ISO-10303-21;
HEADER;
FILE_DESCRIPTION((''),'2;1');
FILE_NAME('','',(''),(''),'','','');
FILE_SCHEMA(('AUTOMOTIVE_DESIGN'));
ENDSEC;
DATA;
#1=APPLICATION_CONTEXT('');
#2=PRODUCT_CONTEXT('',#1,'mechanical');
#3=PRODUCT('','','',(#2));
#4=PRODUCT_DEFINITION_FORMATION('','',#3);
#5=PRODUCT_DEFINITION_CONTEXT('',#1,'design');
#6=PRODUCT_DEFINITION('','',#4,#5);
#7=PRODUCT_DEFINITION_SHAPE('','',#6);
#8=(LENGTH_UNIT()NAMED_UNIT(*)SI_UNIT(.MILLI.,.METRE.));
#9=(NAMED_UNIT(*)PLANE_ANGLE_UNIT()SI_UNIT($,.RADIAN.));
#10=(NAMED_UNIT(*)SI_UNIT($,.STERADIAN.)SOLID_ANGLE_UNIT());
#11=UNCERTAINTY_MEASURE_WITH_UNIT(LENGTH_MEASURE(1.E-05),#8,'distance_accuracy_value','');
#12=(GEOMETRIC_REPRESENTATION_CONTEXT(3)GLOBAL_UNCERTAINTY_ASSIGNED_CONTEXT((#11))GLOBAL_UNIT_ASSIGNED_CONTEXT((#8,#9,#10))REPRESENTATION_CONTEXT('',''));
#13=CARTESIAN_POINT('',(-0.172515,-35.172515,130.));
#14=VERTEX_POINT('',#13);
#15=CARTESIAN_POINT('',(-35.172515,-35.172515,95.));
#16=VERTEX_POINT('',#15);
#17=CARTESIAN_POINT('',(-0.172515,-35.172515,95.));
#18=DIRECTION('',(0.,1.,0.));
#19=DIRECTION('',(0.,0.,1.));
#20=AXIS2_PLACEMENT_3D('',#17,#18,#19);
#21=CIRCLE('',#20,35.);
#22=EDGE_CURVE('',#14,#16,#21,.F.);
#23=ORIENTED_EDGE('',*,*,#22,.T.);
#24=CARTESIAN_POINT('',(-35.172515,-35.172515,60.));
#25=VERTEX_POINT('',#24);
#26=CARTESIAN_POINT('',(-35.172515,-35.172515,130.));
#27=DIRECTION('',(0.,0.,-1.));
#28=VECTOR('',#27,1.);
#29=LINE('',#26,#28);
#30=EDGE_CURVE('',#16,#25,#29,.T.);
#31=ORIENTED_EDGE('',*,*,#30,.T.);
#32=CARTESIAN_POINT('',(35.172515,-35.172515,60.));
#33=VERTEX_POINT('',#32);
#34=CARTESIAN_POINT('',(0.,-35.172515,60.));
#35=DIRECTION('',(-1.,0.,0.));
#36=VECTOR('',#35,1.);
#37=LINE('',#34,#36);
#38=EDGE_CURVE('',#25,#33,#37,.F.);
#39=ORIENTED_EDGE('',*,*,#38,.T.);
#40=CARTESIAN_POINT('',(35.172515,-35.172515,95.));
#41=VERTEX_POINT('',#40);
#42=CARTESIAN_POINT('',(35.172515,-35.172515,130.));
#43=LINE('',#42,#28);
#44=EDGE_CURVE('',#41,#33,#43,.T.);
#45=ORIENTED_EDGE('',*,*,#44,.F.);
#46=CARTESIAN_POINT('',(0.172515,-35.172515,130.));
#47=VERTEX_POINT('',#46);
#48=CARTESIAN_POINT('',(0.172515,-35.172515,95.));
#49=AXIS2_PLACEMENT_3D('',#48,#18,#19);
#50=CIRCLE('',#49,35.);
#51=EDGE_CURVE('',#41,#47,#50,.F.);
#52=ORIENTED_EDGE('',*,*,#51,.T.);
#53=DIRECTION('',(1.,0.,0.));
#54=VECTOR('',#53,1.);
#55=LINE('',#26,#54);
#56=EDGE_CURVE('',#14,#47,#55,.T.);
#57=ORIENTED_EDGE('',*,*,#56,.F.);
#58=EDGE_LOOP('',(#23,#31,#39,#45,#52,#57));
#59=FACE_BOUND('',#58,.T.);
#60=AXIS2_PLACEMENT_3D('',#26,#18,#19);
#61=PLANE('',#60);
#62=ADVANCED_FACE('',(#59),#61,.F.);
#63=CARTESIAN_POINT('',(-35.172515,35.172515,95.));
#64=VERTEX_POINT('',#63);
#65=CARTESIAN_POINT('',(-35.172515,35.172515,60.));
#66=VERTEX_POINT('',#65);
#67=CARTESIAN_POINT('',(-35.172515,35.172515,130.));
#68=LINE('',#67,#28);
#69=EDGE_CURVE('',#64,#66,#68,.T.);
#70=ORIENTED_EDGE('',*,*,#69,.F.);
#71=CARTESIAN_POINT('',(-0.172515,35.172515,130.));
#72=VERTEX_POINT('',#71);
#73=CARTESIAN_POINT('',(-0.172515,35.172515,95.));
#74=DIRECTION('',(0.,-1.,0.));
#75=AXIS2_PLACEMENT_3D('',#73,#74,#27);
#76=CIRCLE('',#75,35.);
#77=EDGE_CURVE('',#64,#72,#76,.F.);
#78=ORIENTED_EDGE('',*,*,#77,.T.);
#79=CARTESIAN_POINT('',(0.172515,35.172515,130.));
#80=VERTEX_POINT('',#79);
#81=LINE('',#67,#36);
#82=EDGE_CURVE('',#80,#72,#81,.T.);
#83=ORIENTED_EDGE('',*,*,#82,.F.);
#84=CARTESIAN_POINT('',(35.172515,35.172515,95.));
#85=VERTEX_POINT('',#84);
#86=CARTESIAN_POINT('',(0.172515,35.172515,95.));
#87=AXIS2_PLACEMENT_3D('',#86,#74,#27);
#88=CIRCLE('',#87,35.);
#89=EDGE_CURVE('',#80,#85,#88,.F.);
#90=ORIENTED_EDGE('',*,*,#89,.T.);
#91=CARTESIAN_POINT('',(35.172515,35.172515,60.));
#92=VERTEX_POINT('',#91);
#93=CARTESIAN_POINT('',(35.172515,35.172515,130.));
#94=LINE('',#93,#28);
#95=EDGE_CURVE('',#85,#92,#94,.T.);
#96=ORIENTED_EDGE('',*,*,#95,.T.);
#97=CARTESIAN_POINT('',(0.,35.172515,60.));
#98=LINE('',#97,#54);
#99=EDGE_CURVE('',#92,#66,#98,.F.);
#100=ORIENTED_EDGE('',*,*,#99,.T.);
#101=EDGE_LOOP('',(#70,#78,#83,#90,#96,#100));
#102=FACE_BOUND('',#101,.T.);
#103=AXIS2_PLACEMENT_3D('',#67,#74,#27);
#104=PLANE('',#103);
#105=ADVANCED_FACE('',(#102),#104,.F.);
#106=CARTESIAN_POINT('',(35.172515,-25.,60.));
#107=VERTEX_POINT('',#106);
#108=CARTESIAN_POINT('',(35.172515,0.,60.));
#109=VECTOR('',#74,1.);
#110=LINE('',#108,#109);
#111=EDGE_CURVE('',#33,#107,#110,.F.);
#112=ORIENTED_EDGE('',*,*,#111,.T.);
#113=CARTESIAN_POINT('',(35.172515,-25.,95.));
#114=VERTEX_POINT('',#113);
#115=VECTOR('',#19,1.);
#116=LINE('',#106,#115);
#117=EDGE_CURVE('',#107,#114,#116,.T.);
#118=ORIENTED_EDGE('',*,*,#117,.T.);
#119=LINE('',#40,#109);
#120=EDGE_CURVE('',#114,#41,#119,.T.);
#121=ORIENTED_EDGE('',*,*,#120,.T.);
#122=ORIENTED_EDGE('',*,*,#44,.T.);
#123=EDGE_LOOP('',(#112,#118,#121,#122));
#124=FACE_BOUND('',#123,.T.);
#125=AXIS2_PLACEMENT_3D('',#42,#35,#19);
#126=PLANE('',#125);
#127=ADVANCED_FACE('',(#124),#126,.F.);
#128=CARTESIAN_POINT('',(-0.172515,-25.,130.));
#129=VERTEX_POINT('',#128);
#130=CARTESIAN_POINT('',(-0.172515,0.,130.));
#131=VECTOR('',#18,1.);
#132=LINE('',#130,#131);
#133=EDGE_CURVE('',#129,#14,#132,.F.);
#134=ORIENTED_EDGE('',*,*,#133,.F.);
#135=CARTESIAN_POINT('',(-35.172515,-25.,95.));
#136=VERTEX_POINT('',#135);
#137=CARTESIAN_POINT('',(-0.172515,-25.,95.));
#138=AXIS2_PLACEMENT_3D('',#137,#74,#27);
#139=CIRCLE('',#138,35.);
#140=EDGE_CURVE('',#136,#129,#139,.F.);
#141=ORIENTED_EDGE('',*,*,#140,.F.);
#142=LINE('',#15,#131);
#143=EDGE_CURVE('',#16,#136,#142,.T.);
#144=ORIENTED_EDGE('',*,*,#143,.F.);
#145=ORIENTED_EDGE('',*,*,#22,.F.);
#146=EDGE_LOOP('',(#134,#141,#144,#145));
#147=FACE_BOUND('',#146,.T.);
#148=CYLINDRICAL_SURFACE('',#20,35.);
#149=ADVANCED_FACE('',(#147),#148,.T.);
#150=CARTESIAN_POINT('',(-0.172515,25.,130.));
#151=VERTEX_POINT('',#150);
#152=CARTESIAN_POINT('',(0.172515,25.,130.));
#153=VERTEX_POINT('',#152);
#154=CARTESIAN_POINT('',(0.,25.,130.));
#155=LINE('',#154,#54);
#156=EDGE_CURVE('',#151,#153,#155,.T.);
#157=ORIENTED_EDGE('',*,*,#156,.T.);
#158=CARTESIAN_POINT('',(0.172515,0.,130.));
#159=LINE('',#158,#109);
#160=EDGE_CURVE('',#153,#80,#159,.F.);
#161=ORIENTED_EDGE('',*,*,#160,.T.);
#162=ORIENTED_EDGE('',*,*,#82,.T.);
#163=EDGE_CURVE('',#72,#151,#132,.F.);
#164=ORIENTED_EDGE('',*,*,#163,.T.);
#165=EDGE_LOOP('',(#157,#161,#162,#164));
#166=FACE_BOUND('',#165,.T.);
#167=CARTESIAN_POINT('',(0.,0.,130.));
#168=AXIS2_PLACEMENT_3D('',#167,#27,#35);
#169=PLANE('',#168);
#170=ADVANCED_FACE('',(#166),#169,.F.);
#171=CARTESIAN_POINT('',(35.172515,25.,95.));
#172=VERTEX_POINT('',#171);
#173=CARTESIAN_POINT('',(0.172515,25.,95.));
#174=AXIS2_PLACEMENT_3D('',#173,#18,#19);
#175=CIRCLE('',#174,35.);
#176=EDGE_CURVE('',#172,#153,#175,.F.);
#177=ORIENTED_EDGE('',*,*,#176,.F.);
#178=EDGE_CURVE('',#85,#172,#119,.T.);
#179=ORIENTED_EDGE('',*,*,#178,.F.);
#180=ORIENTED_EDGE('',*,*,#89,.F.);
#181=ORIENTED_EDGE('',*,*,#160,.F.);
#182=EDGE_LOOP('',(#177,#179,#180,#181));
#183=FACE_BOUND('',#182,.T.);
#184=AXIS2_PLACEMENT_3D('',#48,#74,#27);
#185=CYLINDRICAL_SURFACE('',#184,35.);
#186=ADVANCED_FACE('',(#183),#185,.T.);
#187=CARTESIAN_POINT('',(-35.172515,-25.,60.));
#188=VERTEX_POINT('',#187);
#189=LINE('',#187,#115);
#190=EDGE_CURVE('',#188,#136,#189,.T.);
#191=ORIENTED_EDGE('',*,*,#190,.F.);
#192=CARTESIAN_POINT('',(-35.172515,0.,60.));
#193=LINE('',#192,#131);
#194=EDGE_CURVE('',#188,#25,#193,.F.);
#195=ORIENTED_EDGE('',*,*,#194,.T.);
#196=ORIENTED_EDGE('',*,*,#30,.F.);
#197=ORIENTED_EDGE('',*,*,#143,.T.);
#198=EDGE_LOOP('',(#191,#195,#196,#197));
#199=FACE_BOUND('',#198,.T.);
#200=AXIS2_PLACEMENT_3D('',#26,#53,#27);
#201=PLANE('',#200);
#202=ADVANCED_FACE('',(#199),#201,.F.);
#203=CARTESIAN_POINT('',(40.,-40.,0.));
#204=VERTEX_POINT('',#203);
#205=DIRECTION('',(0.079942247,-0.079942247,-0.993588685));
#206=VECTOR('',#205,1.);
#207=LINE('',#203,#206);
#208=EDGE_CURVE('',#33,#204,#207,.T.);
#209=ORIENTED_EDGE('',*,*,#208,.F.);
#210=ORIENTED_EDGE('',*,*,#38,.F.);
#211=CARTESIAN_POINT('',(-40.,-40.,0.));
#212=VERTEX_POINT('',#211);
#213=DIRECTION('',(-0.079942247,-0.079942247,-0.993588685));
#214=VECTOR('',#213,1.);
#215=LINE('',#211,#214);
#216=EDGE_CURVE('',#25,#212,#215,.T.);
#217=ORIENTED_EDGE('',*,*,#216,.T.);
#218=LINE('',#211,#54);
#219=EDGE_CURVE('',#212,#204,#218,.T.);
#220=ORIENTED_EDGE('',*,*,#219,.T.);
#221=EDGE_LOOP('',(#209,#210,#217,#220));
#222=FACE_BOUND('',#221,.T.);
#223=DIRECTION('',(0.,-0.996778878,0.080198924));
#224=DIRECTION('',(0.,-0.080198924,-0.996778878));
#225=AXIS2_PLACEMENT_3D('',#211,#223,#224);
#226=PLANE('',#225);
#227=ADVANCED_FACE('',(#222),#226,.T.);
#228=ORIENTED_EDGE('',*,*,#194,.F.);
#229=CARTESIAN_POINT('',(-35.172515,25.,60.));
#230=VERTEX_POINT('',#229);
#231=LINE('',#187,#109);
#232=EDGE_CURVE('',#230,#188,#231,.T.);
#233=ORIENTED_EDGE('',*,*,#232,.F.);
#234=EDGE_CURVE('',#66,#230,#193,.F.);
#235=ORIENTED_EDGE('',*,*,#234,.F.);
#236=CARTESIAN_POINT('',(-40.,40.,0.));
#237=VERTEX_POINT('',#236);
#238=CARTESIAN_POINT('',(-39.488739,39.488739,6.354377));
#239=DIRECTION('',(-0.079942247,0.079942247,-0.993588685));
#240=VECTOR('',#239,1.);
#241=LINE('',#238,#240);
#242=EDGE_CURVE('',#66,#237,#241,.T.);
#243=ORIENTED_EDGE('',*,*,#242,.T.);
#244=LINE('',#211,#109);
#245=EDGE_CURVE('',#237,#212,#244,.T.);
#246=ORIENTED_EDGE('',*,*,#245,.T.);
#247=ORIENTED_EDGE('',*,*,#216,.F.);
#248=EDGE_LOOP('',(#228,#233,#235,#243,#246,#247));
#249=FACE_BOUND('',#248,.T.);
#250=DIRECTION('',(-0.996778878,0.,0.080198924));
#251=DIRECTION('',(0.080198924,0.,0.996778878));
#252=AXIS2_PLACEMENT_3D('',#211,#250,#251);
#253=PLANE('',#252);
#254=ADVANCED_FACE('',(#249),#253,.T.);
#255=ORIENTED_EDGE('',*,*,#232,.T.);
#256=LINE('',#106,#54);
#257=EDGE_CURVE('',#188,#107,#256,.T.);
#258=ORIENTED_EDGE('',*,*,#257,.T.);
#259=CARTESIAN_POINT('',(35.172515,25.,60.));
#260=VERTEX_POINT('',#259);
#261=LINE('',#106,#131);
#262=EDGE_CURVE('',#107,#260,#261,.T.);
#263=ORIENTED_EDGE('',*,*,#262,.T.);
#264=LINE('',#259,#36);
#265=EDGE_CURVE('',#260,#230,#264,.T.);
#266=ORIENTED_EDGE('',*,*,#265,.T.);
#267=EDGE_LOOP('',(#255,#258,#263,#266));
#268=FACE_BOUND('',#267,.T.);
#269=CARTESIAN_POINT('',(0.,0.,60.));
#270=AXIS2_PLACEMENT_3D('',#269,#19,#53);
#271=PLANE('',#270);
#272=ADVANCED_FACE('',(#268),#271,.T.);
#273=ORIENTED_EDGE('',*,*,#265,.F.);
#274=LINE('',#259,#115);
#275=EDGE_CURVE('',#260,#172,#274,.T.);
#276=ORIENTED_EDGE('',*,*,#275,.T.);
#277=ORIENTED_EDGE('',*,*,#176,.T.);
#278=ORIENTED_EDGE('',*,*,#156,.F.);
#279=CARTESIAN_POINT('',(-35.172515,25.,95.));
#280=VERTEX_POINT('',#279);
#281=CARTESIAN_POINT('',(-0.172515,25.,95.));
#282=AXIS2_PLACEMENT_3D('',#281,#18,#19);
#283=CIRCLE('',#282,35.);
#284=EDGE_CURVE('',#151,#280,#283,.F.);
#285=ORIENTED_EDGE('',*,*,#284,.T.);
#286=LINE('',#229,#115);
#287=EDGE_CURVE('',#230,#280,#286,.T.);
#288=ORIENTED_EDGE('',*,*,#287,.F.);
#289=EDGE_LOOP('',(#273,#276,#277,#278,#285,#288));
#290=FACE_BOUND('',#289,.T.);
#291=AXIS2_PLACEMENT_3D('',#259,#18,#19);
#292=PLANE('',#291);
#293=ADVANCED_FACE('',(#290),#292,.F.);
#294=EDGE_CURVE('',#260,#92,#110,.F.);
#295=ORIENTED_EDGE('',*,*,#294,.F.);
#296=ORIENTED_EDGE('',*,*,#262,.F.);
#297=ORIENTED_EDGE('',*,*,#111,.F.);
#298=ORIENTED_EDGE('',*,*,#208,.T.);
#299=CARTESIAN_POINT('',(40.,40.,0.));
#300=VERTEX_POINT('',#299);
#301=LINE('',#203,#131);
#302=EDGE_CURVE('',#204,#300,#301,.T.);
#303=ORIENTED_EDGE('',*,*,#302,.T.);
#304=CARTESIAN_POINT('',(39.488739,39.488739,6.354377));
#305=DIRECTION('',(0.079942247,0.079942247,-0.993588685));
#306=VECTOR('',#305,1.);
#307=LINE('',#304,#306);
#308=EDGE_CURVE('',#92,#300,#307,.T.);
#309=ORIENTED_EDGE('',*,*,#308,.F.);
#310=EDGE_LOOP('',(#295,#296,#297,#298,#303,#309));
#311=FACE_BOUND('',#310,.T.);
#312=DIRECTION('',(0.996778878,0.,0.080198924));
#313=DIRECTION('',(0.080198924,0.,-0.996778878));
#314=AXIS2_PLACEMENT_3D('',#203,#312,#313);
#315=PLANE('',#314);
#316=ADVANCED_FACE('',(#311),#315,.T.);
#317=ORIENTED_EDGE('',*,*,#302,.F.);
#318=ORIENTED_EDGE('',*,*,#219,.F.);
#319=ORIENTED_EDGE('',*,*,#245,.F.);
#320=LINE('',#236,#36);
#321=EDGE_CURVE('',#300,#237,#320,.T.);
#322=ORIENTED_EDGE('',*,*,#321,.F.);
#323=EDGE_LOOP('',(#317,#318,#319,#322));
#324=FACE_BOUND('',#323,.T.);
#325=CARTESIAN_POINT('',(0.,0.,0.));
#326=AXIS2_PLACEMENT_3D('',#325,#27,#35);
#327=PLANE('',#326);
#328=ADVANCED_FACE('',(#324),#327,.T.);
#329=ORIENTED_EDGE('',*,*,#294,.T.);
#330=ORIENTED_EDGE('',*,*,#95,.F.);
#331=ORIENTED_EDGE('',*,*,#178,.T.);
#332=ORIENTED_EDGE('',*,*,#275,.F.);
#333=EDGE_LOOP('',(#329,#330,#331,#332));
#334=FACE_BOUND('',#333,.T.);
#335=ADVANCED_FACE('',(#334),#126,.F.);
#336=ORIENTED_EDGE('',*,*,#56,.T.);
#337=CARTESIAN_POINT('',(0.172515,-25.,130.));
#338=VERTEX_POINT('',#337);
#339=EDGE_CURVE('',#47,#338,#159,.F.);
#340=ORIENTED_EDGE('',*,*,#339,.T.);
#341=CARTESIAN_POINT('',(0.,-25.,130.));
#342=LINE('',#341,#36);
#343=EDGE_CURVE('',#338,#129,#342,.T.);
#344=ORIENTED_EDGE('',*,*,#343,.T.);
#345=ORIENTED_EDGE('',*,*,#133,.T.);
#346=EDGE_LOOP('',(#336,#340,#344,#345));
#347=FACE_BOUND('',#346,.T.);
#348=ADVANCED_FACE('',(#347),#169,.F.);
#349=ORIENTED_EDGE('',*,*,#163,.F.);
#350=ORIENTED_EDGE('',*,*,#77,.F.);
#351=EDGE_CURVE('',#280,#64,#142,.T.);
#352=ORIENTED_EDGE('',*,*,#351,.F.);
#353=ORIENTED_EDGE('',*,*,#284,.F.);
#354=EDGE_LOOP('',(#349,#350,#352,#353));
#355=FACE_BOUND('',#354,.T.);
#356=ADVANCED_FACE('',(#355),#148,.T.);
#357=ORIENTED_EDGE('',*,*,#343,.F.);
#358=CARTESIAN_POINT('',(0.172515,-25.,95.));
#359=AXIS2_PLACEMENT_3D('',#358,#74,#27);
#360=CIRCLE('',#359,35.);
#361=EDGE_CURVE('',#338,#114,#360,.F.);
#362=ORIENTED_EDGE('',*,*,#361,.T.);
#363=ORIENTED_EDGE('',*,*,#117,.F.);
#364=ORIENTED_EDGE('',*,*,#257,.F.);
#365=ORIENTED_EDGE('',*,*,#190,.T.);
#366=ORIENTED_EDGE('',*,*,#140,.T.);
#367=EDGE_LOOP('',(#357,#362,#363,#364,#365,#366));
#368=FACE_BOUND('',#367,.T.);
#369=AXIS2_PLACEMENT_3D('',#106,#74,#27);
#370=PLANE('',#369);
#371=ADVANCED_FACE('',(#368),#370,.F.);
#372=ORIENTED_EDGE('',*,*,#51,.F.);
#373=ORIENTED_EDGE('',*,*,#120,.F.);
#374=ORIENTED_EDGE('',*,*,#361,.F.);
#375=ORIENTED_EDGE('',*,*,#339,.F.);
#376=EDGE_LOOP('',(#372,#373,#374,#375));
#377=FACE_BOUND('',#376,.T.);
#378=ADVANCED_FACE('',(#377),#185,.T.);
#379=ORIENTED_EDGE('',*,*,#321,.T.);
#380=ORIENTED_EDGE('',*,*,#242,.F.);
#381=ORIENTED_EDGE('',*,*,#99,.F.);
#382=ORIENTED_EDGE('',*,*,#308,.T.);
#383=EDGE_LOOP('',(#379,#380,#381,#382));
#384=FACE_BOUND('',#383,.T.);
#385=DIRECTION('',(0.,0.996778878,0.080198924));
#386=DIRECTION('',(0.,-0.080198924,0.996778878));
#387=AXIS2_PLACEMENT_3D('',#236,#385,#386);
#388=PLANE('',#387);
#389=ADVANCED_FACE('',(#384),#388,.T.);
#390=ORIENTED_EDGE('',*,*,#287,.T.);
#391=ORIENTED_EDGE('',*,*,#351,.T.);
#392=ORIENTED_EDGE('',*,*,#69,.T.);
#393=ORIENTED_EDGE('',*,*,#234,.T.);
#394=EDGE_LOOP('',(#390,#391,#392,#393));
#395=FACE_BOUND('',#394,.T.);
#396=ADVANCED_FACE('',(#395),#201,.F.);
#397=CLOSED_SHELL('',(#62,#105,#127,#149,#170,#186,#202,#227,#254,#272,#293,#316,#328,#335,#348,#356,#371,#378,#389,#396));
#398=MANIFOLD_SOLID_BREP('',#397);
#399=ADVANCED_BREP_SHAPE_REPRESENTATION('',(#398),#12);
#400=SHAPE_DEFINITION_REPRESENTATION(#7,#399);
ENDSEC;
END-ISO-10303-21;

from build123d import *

# Parameters (mm, degrees)
SZKIC1_W                    = 80
SZKIC1_H                    = 80
DODANIE_WYCI_GNI_CIE1_DEPTH = 60
DODANIE_WYCI_GNI_CIE1_TAPER = 4.6
SZKIC6_W                    = 70.345029246
SZKIC6_H                    = 70.345029246
DODANIE_WYCI_GNI_CIE2_DEPTH = 70
ZAOKR_GLENIE3_R             = 35
ZAOKR_GLENIE4_R             = 35
SZKIC7_W                    = 70.345029246
SZKIC7_H                    = 50
WYTNIJ_WYCI_GNI_CIE3_DEPTH  = 70


with BuildPart() as part:
    # Szkic1 → Dodanie-wyciągnięcie1 (new body)
    with BuildSketch(Plane.XY):
        Rectangle(SZKIC1_W, SZKIC1_H)
    extrude(amount=DODANIE_WYCI_GNI_CIE1_DEPTH, taper=DODANIE_WYCI_GNI_CIE1_TAPER)

    # Szkic6 → Dodanie-wyciągnięcie2 (add)
    with BuildSketch(Plane.XY.offset(60)):
        Rectangle(SZKIC6_W, SZKIC6_H)
    extrude(amount=DODANIE_WYCI_GNI_CIE2_DEPTH)

    # Zaokrąglenie3
    zaokr_glenie3_edges = [part.edges().sort_by_distance(p)[0] for p in [
        (-35.172514623, 0, 130),
    ]]
    fillet(zaokr_glenie3_edges, radius=ZAOKR_GLENIE3_R)

    # Zaokrąglenie4
    zaokr_glenie4_edges = [part.edges().sort_by_distance(p)[0] for p in [
        (35.172514623, 0, 130),
    ]]
    fillet(zaokr_glenie4_edges, radius=ZAOKR_GLENIE4_R)

    # Szkic7 → Wytnij-wyciągnięcie3 (cut)
    with BuildSketch(Plane.XY.offset(130)):
        Rectangle(SZKIC7_W, SZKIC7_H)
    extrude(amount=-WYTNIJ_WYCI_GNI_CIE3_DEPTH, mode=Mode.SUBTRACT)


solid = part.part
